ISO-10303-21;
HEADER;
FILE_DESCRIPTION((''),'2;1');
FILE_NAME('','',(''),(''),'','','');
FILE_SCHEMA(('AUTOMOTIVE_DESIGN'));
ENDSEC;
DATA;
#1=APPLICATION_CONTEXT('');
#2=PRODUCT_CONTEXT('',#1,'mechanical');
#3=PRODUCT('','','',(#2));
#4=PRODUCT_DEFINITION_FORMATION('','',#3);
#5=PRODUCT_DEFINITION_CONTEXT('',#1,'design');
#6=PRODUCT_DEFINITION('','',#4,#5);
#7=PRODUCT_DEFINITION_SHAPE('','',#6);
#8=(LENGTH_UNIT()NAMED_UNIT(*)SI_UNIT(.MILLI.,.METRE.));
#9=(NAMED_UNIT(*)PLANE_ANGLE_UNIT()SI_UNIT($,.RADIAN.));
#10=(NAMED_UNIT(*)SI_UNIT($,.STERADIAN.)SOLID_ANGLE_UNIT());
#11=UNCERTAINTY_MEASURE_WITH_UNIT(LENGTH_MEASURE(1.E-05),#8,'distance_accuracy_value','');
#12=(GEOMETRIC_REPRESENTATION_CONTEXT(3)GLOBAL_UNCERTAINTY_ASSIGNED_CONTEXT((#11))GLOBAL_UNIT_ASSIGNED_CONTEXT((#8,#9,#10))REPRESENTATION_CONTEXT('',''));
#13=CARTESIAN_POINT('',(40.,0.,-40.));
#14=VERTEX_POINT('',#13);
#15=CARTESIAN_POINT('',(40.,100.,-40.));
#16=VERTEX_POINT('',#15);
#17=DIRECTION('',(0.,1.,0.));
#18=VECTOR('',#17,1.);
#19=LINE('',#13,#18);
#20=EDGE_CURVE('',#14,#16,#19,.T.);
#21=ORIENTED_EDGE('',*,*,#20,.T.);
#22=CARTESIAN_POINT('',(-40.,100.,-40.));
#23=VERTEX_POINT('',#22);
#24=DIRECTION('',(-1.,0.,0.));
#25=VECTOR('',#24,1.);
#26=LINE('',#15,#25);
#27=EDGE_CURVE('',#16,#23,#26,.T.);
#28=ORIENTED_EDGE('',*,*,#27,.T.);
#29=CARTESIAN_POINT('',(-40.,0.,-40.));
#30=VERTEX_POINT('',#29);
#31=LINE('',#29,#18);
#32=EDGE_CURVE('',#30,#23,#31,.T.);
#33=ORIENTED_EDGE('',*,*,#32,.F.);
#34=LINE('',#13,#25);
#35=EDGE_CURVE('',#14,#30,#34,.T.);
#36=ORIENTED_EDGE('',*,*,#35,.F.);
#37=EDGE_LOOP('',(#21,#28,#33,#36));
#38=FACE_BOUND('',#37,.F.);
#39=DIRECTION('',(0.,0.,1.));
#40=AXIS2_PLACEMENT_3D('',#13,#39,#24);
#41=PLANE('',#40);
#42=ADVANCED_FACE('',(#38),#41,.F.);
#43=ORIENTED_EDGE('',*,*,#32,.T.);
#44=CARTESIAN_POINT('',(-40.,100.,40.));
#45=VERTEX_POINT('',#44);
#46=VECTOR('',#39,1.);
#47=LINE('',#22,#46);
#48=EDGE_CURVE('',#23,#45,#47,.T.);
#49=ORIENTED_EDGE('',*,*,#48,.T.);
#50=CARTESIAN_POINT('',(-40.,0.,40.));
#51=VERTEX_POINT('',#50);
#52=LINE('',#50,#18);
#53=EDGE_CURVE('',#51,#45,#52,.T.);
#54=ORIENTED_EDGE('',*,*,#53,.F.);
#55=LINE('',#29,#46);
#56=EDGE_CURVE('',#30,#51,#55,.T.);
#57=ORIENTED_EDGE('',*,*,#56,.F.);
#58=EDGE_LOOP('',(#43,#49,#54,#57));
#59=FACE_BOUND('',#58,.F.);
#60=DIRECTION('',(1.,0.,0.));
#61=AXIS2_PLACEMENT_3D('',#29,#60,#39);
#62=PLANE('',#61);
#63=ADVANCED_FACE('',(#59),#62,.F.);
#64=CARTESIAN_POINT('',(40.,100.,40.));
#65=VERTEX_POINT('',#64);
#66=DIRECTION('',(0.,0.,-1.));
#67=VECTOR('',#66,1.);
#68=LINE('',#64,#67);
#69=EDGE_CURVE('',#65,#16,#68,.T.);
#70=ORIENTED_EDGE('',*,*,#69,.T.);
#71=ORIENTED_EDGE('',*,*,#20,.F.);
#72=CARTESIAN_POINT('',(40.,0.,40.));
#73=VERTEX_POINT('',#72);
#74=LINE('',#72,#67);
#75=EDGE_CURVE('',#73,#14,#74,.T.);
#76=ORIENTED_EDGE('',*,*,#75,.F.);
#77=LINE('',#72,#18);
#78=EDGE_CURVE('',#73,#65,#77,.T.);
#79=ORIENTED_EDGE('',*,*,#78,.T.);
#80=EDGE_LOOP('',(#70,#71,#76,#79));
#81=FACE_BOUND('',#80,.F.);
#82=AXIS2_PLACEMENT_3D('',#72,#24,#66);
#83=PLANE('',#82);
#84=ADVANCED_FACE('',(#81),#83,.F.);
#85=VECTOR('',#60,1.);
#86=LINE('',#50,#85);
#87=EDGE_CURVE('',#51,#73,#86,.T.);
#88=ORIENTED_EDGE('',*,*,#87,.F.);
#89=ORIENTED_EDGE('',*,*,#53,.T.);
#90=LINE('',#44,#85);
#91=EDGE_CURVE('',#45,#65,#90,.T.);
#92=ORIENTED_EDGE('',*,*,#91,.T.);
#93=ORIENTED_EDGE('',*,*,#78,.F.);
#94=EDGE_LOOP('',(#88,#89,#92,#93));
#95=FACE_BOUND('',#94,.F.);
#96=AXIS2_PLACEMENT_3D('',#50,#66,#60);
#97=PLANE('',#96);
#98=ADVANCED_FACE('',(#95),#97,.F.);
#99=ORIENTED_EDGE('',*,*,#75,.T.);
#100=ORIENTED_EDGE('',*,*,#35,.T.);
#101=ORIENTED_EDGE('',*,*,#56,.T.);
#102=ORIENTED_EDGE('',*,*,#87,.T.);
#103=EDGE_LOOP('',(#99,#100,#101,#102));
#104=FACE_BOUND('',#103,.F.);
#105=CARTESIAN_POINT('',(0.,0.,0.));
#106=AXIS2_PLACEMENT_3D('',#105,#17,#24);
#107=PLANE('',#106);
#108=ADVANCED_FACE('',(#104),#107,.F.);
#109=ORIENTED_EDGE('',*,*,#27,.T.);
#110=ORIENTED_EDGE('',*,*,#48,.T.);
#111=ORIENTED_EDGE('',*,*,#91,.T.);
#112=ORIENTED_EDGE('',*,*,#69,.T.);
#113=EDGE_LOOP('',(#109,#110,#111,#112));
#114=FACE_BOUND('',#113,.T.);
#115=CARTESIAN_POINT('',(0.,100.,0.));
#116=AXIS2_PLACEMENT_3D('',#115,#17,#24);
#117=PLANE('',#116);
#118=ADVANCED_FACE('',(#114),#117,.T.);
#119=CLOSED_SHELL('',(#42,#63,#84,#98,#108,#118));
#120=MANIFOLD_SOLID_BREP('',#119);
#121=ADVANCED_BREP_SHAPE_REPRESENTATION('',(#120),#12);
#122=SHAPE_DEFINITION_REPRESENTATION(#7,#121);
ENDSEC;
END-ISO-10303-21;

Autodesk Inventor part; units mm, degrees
ref_plane "YZ Plane" through (0, 0, 0) normal (1, 0, 0) x (0, 1, 0)
ref_plane "XZ Plane" through (0, 0, 0) normal (0, 1, 0) x (-1, 0, 0)
ref_plane "XY Plane" through (0, 0, 0) normal (0, 0, 1) x (1, 0, 0)
sketch "Sketch1" plane through (0, 0, 0) normal (0, 1, 0) x (-1, 0, 0)
  line L0 (40, 40) -> (-40, 40)
  line L1 (-40, 40) -> (-40, -40)
  line L2 (-40, -40) -> (40, -40)
  line L3 (40, -40) -> (40, 40)
  line L4 (40, 40) -> (-40, -40) construction
  line L5 (-40, 40) -> (40, -40) construction
  point P0 (0, 0)
  dimension "d0" = 80
  dimension "d1" = 80
extrude "Extrusion1" add sketch "Sketch1" along normal blind 100
properties part number "BottleV1" material "Iron, Gray"
